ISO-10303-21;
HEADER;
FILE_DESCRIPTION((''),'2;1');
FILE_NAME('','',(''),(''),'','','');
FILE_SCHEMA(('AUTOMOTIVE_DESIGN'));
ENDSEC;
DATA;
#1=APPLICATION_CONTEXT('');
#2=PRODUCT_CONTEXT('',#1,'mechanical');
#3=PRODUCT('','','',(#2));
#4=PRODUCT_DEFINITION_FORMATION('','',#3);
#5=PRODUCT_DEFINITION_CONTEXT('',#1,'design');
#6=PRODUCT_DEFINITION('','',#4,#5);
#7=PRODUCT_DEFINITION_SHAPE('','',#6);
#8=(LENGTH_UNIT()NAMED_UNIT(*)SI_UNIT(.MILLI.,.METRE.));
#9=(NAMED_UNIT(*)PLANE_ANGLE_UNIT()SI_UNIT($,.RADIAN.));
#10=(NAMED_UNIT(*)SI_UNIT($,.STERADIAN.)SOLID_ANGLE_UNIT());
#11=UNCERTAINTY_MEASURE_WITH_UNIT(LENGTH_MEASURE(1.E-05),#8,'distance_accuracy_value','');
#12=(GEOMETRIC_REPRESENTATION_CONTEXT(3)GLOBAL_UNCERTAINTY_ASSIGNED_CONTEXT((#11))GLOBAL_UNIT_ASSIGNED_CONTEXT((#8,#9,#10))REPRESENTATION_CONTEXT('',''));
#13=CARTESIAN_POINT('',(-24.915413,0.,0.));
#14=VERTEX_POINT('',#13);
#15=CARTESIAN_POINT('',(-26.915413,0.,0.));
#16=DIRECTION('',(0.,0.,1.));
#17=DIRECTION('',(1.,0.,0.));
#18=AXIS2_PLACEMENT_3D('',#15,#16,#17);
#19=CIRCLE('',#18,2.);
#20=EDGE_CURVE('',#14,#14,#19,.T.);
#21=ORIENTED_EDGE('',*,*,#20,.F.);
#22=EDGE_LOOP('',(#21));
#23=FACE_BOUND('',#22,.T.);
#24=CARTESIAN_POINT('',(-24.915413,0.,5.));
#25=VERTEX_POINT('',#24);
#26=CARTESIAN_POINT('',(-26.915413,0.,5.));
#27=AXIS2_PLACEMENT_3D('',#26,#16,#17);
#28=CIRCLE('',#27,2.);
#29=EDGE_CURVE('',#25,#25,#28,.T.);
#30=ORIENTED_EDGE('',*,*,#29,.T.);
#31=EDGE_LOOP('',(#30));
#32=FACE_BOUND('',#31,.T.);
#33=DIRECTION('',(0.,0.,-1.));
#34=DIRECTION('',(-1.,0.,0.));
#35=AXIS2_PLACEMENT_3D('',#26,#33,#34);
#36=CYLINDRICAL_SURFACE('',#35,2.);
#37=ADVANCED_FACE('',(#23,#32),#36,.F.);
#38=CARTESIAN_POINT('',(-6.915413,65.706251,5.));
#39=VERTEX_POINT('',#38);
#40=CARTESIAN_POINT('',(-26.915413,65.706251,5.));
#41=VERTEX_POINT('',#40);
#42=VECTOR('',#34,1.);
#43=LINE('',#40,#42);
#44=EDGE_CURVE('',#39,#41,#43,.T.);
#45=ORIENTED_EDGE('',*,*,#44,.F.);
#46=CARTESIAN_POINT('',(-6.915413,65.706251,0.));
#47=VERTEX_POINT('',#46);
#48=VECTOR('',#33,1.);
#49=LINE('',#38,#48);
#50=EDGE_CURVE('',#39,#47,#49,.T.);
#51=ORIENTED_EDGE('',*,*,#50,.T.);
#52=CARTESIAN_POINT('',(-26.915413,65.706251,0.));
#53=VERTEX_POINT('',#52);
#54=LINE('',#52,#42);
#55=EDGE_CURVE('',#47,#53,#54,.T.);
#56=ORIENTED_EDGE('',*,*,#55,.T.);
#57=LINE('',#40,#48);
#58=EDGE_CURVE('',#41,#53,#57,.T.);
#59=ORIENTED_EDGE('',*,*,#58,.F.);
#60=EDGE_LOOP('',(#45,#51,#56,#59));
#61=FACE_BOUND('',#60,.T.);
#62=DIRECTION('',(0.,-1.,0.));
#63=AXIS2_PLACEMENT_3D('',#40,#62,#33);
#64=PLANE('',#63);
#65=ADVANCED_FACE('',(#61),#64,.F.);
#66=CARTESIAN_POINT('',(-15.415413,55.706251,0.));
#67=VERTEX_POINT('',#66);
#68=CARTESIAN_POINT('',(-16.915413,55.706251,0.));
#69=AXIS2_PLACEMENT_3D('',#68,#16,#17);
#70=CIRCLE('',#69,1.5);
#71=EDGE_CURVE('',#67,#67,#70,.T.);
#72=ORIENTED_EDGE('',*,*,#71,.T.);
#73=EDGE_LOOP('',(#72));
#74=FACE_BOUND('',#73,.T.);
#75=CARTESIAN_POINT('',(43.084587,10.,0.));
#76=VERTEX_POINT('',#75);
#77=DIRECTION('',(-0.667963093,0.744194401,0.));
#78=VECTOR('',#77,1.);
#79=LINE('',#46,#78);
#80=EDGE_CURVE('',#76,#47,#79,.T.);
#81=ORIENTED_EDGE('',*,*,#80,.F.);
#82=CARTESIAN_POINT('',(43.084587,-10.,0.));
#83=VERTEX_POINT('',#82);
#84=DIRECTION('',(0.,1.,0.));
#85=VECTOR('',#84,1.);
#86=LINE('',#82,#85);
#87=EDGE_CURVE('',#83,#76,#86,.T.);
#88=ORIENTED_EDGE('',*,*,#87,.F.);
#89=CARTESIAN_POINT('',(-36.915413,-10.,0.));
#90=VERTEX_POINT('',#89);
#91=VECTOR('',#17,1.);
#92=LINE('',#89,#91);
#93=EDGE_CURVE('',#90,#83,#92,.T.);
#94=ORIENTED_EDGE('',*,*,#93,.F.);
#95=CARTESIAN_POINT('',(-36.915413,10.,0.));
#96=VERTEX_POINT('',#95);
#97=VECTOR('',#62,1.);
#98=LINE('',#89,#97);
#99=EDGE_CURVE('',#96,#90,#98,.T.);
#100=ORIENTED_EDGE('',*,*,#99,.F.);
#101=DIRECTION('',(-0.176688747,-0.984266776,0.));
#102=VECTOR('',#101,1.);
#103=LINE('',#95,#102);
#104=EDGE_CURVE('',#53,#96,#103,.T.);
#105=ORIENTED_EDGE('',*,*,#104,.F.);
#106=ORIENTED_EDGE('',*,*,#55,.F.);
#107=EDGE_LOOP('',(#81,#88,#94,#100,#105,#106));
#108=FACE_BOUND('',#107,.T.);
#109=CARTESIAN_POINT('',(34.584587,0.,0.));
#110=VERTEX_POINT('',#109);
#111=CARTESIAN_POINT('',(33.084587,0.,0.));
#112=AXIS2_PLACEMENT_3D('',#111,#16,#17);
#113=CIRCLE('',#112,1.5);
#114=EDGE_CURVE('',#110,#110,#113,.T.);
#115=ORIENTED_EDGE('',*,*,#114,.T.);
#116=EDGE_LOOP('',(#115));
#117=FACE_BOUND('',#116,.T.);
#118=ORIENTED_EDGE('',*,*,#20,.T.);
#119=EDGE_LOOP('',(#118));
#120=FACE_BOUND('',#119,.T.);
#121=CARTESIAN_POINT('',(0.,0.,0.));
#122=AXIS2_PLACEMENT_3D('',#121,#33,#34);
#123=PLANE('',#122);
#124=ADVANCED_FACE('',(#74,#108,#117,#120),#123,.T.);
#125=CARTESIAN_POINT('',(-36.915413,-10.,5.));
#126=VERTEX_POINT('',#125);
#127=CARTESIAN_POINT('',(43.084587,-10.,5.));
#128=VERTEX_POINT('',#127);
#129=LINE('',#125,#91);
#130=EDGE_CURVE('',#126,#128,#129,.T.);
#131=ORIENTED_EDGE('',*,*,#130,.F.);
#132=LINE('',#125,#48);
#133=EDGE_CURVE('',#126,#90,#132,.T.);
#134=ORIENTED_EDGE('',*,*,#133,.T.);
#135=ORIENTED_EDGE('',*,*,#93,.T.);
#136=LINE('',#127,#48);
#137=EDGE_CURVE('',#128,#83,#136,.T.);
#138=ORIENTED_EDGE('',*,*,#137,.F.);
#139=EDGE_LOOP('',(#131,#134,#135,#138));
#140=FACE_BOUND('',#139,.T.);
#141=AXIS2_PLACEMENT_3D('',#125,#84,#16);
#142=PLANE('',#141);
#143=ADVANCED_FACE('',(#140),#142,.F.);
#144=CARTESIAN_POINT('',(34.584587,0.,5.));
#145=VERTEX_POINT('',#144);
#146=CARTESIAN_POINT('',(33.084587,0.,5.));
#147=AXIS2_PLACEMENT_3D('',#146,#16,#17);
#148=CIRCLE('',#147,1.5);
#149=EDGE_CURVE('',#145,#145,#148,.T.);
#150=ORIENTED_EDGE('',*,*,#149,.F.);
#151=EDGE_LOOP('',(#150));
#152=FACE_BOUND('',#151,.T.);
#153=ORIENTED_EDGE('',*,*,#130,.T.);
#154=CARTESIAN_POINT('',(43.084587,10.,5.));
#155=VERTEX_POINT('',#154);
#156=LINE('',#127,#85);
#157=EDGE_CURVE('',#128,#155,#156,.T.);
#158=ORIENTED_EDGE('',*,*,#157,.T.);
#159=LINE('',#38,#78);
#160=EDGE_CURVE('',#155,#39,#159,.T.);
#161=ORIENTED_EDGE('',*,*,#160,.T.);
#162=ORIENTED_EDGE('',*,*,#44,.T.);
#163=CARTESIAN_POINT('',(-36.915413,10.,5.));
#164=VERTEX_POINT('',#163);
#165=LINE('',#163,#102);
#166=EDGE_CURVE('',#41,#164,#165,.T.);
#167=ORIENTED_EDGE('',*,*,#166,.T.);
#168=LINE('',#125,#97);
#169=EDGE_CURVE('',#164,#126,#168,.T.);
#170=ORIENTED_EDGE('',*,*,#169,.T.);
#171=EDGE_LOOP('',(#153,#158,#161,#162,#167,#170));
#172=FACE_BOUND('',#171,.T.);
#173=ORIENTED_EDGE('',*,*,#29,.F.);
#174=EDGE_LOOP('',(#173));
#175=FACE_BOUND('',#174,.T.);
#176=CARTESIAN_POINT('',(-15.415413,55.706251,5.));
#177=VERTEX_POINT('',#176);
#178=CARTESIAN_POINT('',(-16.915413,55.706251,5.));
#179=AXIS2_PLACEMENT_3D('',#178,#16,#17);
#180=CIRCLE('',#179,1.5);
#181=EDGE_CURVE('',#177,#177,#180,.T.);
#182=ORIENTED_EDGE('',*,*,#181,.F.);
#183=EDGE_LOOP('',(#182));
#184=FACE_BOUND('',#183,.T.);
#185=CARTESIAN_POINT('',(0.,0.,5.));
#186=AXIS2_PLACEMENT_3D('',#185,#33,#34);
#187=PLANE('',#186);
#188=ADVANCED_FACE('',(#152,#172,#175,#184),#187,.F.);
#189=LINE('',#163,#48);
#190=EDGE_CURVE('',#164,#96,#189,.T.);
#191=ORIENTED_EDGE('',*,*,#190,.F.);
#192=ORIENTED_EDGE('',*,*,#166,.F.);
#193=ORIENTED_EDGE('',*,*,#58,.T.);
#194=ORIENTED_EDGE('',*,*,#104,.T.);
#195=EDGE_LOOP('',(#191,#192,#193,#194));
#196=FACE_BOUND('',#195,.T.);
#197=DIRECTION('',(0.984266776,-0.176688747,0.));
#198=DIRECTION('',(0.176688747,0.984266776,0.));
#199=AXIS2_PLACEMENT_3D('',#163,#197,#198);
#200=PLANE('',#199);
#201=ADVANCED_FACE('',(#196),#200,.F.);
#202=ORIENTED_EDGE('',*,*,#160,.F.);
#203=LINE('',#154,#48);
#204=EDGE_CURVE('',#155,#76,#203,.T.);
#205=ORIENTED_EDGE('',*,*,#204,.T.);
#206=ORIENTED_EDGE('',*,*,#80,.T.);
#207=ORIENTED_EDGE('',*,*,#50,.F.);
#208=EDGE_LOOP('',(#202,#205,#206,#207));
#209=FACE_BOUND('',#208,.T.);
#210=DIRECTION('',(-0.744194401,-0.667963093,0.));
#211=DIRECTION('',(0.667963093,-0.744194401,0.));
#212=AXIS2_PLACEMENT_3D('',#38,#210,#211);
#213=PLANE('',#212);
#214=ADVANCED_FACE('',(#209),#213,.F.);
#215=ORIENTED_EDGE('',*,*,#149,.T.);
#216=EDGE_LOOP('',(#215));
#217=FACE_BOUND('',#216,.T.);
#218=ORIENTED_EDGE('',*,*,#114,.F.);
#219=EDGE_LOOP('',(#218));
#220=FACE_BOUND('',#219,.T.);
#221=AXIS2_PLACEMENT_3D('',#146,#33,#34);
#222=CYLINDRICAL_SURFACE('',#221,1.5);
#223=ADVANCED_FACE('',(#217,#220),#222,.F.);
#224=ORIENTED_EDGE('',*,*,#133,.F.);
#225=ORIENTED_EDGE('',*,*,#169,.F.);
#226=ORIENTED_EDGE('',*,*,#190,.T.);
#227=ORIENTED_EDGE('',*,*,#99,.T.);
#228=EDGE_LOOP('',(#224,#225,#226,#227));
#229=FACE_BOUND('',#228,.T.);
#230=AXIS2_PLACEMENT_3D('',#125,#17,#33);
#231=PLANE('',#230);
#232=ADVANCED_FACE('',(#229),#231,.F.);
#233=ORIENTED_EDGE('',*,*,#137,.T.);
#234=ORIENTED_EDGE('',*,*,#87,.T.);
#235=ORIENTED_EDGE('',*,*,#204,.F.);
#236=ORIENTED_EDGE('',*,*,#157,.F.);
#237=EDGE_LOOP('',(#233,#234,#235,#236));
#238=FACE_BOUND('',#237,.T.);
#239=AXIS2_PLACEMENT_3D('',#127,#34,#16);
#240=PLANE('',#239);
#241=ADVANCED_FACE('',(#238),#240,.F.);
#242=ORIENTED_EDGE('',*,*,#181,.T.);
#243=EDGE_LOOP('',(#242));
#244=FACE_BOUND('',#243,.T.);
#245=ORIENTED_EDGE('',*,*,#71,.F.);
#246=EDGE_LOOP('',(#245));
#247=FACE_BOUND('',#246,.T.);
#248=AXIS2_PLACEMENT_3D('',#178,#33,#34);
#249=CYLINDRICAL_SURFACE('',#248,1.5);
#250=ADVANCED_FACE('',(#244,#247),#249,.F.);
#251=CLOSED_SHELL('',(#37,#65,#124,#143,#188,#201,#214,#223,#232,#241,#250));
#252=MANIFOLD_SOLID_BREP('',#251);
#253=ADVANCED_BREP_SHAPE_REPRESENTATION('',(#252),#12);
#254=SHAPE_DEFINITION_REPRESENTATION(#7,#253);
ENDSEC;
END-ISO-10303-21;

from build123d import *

# Parameters (mm, degrees)
SKETCH1_R           = 2
SKETCH1_R_2         = 1.5
BOSS_EXTRUDE1_DEPTH = 5


with BuildPart() as part:
    # Sketch1 → Boss-Extrude1 (new body)
    with BuildSketch(Plane.XY):
        Polygon((-26.915412931, 65.706251458), (-6.915412931, 65.706251458), (43.084587069, 10), (43.084587069, -10), (-36.915412931, -10), (-36.915412931, 10), align=None)
        with Locations((-26.915412931, 0)):
            Circle(SKETCH1_R, mode=Mode.SUBTRACT)
        with Locations((33.084587069, 0)):
            Circle(SKETCH1_R_2, mode=Mode.SUBTRACT)
        with Locations((-16.915412931, 55.706251458)):
            Circle(SKETCH1_R_2, mode=Mode.SUBTRACT)
    extrude(amount=BOSS_EXTRUDE1_DEPTH)


solid = part.part
